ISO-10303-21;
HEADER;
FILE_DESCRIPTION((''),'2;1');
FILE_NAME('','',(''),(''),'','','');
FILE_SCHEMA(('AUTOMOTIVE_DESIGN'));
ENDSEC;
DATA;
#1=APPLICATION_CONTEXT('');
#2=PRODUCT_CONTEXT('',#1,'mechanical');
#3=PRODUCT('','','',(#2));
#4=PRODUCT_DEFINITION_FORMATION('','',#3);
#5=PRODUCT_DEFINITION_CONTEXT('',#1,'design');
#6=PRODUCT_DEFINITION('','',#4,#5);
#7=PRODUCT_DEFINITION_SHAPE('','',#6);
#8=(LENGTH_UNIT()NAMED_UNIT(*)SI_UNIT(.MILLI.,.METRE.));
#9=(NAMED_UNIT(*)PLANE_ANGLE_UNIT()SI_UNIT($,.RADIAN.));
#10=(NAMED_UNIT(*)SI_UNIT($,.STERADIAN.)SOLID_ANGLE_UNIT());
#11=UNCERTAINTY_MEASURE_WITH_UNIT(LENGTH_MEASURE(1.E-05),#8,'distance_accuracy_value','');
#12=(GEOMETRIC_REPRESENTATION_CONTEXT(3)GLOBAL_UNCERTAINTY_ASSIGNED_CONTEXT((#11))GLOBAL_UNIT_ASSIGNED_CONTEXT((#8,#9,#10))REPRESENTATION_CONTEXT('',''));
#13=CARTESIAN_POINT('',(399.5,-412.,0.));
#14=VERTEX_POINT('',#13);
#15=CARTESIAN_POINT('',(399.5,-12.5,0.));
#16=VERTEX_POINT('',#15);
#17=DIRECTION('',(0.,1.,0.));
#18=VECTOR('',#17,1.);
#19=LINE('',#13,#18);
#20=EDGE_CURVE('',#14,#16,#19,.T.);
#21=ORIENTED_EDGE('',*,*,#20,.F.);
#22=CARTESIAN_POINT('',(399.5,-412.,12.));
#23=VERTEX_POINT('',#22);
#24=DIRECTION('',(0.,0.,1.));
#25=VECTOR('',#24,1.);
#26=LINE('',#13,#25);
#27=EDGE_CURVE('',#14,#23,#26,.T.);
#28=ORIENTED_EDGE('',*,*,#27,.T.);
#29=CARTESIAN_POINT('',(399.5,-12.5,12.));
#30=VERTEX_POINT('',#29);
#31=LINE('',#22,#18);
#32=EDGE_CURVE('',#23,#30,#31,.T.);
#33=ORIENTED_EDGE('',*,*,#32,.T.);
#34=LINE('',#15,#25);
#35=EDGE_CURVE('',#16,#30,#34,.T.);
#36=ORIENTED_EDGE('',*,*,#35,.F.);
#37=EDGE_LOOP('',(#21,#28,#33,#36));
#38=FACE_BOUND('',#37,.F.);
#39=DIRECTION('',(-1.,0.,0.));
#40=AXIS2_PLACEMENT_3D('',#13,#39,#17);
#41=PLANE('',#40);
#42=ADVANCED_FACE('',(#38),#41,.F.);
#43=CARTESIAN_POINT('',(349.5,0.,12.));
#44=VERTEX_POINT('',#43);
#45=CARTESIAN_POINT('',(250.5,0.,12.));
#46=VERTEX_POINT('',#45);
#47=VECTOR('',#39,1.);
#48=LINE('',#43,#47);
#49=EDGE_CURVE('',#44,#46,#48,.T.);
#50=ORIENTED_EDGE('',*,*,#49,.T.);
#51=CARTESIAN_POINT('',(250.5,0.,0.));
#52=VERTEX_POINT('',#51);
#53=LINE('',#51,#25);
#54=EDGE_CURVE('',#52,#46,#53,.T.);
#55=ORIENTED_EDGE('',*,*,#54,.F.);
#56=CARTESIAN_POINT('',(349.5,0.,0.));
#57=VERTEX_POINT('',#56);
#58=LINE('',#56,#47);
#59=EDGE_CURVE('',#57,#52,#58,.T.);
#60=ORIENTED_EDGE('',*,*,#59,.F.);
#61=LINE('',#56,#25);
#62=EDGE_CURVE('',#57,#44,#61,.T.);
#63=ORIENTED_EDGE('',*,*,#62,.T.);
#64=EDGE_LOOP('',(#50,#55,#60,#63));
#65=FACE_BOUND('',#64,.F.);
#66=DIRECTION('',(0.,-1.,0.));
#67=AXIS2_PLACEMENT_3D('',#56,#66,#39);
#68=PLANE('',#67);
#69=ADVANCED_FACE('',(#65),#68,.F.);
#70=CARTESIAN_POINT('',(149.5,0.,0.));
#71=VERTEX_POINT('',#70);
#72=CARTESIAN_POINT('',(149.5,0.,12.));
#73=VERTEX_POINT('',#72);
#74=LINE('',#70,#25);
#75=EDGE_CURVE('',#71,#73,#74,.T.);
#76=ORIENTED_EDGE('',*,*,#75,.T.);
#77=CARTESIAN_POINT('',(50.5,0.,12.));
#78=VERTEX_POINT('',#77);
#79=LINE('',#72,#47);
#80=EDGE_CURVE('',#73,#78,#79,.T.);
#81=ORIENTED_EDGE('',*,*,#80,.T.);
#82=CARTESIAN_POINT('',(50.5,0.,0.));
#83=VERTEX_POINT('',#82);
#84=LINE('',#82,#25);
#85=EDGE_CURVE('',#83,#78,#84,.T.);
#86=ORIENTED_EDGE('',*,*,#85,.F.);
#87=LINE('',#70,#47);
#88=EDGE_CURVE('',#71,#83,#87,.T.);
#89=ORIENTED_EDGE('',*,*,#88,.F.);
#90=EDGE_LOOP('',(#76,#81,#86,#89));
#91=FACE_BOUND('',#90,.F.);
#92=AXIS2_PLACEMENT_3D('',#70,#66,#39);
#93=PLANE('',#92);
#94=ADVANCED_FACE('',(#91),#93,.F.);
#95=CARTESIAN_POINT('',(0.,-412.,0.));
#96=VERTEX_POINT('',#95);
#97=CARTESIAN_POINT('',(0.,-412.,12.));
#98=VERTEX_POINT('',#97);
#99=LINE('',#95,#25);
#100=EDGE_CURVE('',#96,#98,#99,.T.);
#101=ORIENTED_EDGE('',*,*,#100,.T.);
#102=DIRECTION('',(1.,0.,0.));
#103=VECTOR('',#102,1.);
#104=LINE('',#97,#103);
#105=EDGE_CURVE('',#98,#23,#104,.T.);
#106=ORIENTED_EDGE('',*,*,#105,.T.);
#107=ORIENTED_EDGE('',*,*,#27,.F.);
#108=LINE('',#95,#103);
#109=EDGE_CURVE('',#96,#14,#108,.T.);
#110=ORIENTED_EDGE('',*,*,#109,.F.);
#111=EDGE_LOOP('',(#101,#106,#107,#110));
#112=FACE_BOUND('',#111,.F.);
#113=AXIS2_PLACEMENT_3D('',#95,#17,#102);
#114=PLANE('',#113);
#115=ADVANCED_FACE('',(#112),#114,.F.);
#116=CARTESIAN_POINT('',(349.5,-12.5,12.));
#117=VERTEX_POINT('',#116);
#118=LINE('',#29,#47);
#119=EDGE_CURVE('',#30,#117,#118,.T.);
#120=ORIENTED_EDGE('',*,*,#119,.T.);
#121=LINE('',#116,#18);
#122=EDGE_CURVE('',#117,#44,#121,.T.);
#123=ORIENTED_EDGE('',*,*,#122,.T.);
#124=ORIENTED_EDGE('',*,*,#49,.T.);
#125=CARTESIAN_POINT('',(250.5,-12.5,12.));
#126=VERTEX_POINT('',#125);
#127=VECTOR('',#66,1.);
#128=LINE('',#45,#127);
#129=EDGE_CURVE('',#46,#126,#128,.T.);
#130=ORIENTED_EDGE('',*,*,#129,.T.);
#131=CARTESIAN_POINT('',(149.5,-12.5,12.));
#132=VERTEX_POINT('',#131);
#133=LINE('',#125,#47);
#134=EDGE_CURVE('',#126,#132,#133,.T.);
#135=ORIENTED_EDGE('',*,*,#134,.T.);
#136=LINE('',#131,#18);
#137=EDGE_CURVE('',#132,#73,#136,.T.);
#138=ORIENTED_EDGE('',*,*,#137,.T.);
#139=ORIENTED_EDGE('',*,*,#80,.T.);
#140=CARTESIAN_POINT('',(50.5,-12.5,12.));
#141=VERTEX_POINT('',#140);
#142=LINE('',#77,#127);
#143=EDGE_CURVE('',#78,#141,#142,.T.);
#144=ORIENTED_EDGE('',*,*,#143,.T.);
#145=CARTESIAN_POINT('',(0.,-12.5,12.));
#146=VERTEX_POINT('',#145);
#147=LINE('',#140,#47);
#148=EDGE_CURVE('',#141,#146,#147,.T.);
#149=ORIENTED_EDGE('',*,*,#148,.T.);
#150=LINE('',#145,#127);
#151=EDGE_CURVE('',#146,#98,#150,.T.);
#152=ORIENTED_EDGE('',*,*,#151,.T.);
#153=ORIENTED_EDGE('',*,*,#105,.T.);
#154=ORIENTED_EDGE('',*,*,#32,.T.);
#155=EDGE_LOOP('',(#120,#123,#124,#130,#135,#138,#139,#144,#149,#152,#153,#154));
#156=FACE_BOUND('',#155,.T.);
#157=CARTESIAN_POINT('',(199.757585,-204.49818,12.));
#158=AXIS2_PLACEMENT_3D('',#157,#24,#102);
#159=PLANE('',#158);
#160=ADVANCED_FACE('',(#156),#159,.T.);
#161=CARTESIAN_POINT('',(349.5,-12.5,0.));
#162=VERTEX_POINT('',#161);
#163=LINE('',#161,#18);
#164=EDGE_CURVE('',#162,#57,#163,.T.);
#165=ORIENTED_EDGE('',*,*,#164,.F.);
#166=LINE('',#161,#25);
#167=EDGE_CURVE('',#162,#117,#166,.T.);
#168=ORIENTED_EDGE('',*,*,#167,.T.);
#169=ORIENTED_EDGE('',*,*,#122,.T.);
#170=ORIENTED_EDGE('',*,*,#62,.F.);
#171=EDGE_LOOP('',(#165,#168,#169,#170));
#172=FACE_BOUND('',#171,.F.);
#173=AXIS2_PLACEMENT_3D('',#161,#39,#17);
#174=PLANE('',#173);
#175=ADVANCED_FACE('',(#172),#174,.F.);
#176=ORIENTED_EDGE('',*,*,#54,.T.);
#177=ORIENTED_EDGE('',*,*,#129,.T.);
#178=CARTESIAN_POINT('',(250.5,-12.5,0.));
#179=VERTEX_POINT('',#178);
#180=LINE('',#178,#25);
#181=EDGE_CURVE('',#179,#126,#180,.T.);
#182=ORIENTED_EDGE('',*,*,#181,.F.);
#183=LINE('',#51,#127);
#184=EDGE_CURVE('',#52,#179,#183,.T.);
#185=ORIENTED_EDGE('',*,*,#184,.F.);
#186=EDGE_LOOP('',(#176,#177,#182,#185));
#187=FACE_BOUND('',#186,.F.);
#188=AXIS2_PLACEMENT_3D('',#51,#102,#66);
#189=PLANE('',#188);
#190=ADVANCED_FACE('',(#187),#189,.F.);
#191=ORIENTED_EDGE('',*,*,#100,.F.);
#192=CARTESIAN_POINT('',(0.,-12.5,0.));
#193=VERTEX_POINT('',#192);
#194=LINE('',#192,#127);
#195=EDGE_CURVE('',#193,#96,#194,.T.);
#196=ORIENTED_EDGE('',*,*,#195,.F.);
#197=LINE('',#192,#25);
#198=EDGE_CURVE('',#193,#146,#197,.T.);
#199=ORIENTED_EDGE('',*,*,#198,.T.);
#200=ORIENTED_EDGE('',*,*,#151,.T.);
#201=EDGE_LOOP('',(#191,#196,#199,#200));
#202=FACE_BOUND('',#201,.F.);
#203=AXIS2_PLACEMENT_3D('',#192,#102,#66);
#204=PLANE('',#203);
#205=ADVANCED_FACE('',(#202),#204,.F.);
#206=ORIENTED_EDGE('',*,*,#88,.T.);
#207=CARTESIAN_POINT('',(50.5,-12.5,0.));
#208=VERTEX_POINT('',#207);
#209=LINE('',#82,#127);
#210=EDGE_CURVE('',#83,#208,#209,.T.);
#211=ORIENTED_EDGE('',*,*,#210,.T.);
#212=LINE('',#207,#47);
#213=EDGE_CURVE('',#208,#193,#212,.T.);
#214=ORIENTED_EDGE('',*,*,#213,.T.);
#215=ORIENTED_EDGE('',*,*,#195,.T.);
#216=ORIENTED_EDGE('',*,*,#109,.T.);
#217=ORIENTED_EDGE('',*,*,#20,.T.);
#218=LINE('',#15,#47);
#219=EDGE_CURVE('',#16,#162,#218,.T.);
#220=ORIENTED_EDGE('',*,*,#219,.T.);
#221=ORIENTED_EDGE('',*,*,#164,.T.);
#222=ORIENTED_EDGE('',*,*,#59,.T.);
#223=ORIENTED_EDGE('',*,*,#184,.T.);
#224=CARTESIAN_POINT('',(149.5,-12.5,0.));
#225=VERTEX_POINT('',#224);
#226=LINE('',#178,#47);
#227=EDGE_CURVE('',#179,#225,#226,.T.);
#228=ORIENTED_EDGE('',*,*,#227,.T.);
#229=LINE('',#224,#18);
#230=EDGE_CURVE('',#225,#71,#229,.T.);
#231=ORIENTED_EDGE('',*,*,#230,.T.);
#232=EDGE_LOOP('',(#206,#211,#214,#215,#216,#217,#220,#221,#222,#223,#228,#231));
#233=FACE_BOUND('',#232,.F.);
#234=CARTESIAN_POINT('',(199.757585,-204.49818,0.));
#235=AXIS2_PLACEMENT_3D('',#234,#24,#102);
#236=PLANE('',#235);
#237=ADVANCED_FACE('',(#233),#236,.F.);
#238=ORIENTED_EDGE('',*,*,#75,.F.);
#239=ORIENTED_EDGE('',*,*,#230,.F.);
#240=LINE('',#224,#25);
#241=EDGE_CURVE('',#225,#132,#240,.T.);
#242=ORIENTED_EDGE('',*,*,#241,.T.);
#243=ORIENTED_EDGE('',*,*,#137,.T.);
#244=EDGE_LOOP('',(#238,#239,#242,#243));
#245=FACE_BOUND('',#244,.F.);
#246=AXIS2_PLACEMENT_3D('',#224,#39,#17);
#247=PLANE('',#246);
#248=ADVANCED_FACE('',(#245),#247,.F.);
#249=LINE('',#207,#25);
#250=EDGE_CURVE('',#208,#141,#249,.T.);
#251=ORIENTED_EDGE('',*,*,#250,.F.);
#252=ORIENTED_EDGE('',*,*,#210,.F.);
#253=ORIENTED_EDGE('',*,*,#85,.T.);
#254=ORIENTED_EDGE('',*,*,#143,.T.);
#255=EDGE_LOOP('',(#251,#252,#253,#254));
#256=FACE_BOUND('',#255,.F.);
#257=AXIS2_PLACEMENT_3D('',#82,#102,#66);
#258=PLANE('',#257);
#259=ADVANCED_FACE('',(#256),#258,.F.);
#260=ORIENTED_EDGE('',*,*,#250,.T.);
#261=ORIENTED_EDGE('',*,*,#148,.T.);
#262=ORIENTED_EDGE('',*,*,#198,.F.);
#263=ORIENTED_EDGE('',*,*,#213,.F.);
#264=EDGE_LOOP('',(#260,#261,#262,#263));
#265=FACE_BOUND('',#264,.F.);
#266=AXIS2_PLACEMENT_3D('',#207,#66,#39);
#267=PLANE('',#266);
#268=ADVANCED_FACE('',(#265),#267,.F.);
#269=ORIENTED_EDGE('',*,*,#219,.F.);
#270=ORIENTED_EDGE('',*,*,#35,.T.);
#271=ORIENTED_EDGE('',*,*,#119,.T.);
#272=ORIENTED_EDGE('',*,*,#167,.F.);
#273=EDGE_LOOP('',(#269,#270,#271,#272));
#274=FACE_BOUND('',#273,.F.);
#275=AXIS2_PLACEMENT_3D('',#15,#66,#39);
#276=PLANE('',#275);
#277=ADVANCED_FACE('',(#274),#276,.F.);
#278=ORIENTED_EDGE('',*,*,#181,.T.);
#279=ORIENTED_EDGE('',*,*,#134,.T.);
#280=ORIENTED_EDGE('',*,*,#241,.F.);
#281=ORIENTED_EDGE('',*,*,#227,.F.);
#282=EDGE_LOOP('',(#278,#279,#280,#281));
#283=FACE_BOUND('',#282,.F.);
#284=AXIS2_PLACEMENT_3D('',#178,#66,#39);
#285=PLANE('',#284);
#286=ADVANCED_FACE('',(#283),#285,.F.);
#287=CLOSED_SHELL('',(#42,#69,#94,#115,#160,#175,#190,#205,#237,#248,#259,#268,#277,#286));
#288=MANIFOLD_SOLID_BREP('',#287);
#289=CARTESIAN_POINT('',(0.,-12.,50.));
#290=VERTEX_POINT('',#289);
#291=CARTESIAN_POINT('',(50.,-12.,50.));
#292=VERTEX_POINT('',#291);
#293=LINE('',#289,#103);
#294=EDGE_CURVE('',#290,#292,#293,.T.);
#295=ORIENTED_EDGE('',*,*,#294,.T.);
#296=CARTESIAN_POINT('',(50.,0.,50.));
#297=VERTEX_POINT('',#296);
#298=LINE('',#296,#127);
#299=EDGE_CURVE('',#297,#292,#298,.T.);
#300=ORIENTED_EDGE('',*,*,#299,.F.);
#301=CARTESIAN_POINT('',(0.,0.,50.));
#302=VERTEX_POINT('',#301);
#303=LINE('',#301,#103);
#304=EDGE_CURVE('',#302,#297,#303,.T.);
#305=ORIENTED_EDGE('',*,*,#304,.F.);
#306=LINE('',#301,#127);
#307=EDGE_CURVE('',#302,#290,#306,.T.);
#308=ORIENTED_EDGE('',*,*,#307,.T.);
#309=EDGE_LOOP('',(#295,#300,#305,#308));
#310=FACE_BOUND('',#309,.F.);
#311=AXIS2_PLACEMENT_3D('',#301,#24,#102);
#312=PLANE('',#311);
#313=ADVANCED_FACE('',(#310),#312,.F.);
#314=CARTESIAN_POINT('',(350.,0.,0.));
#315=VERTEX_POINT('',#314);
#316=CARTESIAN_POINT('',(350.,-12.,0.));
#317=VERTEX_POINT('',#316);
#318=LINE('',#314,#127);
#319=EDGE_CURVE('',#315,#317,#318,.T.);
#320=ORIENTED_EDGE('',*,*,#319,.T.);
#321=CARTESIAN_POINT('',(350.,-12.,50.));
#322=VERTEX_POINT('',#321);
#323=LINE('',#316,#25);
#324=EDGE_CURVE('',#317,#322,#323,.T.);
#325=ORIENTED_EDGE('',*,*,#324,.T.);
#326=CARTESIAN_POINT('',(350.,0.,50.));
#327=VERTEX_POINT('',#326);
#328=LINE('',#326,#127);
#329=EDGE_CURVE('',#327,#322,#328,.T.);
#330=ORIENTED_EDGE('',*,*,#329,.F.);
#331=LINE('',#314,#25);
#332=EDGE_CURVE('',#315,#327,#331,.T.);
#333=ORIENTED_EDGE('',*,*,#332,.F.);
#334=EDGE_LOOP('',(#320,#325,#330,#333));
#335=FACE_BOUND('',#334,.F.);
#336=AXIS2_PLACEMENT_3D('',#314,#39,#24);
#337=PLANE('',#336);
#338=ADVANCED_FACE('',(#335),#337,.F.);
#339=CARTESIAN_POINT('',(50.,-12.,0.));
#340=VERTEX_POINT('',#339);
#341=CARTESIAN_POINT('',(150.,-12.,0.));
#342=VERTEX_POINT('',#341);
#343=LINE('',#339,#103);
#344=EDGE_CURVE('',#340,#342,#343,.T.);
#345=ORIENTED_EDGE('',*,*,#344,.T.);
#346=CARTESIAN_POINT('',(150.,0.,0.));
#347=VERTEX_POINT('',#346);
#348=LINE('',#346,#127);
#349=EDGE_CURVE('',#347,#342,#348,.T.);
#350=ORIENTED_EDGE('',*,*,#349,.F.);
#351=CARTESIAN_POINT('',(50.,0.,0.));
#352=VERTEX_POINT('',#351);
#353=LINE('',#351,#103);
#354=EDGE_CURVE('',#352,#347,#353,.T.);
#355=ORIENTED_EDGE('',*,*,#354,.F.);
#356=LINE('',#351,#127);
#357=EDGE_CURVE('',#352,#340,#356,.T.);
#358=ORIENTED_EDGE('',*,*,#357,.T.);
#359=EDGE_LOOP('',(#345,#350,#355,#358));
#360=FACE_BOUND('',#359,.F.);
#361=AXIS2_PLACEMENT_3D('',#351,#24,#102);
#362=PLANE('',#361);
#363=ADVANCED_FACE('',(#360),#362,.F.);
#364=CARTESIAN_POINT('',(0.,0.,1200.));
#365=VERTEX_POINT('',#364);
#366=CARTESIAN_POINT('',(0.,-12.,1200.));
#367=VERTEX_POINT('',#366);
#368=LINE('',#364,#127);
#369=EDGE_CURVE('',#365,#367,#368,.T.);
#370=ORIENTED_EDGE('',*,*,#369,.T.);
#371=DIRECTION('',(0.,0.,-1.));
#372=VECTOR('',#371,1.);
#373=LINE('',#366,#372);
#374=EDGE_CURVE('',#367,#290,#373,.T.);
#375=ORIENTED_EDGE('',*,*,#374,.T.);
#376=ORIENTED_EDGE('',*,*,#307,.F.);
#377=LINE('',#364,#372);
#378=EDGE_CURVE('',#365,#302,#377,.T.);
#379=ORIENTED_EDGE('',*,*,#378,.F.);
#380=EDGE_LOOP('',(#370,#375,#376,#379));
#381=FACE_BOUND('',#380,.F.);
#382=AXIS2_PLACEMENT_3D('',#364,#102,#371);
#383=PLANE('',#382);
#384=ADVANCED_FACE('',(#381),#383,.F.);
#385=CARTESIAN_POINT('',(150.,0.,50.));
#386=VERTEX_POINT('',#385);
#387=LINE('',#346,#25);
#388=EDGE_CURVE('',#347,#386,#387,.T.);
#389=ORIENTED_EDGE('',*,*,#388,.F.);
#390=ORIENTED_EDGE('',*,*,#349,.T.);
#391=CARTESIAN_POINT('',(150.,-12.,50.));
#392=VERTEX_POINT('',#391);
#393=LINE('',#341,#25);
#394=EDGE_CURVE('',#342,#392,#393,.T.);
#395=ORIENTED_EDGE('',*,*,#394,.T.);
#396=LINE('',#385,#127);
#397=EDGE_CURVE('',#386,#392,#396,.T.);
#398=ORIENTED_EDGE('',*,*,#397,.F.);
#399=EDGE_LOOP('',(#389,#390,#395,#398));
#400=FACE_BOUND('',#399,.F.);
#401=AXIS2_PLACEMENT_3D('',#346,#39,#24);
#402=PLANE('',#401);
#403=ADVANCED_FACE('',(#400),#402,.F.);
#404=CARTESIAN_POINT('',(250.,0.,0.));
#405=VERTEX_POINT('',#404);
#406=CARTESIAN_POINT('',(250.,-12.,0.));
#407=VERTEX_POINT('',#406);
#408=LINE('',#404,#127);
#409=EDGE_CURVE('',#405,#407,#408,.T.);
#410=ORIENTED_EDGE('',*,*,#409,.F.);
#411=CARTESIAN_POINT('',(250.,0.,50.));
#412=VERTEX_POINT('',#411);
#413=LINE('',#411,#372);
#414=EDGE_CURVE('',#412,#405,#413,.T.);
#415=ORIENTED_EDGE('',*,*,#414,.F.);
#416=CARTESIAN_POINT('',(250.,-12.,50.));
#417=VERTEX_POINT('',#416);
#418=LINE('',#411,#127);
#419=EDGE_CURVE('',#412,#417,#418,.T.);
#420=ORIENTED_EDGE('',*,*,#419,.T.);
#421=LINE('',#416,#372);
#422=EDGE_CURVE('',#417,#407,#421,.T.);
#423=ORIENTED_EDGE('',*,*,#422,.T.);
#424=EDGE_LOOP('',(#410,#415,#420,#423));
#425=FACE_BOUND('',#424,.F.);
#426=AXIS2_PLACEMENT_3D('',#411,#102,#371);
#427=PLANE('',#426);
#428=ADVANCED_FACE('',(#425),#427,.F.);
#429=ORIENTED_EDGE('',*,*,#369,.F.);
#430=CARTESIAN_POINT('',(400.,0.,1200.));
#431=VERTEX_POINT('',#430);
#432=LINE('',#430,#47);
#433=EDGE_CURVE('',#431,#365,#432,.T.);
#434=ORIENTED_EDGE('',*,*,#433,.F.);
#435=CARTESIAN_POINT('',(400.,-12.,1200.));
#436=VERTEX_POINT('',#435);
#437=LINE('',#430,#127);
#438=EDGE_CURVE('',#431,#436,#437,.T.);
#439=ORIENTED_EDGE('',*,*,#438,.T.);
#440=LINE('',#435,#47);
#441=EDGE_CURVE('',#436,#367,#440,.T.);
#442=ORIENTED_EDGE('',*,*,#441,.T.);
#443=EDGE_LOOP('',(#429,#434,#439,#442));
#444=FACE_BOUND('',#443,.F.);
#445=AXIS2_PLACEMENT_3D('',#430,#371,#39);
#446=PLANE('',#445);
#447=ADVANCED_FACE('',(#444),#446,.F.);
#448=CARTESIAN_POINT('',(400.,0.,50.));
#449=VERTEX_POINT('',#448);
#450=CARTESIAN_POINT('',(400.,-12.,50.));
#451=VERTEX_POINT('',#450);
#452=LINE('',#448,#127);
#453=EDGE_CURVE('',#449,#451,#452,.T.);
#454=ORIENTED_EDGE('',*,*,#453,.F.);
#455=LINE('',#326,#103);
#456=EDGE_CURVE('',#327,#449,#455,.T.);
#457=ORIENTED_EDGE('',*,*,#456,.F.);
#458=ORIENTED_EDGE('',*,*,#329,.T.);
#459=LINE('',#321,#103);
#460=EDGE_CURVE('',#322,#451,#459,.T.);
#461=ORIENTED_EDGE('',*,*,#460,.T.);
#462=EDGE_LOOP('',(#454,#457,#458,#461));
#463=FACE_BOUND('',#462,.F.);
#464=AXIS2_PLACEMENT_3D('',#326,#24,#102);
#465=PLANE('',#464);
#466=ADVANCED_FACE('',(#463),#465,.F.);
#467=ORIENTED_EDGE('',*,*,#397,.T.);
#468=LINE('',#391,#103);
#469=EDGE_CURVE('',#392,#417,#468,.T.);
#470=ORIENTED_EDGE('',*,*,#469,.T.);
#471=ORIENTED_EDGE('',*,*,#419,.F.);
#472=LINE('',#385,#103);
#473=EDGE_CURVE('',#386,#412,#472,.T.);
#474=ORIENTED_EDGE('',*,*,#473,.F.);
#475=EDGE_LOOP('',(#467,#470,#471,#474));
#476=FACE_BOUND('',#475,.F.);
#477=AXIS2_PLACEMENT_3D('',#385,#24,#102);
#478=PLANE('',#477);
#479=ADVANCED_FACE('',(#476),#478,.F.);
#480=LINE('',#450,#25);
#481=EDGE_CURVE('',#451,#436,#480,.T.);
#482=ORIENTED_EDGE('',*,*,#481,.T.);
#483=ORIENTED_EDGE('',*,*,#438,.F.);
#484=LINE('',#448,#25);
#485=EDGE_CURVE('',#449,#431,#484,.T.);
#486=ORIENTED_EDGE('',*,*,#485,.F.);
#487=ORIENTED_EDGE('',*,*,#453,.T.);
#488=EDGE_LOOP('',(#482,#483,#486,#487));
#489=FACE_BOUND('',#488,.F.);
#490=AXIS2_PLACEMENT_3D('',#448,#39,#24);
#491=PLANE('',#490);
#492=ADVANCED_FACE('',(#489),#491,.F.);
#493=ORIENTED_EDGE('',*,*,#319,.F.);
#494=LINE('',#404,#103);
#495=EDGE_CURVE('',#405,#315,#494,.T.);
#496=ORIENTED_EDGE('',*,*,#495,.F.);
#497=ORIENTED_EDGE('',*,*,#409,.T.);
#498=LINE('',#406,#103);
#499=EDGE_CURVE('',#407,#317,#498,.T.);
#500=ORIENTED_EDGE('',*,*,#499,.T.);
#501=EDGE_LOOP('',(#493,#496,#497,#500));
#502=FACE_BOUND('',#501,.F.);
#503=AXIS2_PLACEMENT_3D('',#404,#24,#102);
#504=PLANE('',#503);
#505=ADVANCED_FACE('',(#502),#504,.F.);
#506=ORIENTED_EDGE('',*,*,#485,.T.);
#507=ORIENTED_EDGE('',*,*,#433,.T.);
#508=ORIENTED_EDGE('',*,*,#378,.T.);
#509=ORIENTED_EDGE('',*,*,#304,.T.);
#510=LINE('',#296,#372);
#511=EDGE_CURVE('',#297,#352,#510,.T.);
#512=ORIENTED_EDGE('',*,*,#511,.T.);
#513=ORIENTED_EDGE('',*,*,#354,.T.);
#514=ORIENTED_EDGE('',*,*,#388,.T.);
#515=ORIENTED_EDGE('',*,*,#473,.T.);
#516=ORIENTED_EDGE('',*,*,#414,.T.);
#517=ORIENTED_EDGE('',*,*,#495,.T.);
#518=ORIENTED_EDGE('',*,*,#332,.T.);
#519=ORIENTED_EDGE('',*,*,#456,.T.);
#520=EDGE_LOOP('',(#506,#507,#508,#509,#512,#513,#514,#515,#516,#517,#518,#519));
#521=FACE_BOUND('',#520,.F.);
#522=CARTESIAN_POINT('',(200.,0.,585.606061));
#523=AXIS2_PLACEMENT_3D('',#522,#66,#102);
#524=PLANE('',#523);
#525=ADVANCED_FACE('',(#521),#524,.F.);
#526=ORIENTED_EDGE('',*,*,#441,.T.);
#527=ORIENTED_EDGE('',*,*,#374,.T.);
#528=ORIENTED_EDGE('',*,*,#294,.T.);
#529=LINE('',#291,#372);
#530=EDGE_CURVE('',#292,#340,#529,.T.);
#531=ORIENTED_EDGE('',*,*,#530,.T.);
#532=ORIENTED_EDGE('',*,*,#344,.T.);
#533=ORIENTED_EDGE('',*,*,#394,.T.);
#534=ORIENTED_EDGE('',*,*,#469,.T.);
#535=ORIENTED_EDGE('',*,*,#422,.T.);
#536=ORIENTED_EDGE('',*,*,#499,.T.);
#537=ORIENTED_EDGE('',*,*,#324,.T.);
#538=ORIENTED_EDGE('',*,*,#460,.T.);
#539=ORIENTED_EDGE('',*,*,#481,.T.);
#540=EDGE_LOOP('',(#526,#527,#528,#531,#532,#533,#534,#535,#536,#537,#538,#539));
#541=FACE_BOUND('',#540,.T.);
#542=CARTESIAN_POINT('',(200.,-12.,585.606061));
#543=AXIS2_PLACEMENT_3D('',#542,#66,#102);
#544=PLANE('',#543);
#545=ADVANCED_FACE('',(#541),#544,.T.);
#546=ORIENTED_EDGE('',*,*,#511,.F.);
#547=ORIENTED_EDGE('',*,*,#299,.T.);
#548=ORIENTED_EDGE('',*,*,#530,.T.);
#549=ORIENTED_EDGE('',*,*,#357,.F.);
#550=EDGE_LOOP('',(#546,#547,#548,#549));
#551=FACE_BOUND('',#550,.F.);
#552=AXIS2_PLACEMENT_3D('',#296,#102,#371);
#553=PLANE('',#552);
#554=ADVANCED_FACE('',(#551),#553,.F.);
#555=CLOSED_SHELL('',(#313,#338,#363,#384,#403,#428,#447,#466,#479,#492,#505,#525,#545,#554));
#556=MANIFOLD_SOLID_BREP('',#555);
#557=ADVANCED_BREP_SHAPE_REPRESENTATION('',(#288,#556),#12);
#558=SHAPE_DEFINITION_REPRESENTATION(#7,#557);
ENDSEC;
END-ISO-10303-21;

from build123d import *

# Parameters (mm, degrees)
F1_DEPTH = 12
F3_DEPTH = 12


with BuildPart() as f1:
    # F0 (on Front) → F1 (new body)
    with BuildSketch(Plane.XZ):
        Polygon((50, 50), (50, 0), (150, 0), (150, 50), (250, 50), (250, 0), (350, 0), (350, 50), (400, 50), (400, 1200), (0, 1200), (0, 50), align=None)
    extrude(amount=F1_DEPTH)


with BuildPart() as f3:
    # F2 (on Top) → F3 (new body)
    with BuildSketch(Plane.XY):
        Polygon((50.5, -12.5), (0, -12.5), (0, -412), (399.5, -412), (399.5, -12.5), (349.5, -12.5), (349.5, 0), (250.5, 0), (250.5, -12.5), (149.5, -12.5), (149.5, 0), (50.5, 0), align=None)
    extrude(amount=F3_DEPTH)


solid = Compound([f1.part, f3.part])
